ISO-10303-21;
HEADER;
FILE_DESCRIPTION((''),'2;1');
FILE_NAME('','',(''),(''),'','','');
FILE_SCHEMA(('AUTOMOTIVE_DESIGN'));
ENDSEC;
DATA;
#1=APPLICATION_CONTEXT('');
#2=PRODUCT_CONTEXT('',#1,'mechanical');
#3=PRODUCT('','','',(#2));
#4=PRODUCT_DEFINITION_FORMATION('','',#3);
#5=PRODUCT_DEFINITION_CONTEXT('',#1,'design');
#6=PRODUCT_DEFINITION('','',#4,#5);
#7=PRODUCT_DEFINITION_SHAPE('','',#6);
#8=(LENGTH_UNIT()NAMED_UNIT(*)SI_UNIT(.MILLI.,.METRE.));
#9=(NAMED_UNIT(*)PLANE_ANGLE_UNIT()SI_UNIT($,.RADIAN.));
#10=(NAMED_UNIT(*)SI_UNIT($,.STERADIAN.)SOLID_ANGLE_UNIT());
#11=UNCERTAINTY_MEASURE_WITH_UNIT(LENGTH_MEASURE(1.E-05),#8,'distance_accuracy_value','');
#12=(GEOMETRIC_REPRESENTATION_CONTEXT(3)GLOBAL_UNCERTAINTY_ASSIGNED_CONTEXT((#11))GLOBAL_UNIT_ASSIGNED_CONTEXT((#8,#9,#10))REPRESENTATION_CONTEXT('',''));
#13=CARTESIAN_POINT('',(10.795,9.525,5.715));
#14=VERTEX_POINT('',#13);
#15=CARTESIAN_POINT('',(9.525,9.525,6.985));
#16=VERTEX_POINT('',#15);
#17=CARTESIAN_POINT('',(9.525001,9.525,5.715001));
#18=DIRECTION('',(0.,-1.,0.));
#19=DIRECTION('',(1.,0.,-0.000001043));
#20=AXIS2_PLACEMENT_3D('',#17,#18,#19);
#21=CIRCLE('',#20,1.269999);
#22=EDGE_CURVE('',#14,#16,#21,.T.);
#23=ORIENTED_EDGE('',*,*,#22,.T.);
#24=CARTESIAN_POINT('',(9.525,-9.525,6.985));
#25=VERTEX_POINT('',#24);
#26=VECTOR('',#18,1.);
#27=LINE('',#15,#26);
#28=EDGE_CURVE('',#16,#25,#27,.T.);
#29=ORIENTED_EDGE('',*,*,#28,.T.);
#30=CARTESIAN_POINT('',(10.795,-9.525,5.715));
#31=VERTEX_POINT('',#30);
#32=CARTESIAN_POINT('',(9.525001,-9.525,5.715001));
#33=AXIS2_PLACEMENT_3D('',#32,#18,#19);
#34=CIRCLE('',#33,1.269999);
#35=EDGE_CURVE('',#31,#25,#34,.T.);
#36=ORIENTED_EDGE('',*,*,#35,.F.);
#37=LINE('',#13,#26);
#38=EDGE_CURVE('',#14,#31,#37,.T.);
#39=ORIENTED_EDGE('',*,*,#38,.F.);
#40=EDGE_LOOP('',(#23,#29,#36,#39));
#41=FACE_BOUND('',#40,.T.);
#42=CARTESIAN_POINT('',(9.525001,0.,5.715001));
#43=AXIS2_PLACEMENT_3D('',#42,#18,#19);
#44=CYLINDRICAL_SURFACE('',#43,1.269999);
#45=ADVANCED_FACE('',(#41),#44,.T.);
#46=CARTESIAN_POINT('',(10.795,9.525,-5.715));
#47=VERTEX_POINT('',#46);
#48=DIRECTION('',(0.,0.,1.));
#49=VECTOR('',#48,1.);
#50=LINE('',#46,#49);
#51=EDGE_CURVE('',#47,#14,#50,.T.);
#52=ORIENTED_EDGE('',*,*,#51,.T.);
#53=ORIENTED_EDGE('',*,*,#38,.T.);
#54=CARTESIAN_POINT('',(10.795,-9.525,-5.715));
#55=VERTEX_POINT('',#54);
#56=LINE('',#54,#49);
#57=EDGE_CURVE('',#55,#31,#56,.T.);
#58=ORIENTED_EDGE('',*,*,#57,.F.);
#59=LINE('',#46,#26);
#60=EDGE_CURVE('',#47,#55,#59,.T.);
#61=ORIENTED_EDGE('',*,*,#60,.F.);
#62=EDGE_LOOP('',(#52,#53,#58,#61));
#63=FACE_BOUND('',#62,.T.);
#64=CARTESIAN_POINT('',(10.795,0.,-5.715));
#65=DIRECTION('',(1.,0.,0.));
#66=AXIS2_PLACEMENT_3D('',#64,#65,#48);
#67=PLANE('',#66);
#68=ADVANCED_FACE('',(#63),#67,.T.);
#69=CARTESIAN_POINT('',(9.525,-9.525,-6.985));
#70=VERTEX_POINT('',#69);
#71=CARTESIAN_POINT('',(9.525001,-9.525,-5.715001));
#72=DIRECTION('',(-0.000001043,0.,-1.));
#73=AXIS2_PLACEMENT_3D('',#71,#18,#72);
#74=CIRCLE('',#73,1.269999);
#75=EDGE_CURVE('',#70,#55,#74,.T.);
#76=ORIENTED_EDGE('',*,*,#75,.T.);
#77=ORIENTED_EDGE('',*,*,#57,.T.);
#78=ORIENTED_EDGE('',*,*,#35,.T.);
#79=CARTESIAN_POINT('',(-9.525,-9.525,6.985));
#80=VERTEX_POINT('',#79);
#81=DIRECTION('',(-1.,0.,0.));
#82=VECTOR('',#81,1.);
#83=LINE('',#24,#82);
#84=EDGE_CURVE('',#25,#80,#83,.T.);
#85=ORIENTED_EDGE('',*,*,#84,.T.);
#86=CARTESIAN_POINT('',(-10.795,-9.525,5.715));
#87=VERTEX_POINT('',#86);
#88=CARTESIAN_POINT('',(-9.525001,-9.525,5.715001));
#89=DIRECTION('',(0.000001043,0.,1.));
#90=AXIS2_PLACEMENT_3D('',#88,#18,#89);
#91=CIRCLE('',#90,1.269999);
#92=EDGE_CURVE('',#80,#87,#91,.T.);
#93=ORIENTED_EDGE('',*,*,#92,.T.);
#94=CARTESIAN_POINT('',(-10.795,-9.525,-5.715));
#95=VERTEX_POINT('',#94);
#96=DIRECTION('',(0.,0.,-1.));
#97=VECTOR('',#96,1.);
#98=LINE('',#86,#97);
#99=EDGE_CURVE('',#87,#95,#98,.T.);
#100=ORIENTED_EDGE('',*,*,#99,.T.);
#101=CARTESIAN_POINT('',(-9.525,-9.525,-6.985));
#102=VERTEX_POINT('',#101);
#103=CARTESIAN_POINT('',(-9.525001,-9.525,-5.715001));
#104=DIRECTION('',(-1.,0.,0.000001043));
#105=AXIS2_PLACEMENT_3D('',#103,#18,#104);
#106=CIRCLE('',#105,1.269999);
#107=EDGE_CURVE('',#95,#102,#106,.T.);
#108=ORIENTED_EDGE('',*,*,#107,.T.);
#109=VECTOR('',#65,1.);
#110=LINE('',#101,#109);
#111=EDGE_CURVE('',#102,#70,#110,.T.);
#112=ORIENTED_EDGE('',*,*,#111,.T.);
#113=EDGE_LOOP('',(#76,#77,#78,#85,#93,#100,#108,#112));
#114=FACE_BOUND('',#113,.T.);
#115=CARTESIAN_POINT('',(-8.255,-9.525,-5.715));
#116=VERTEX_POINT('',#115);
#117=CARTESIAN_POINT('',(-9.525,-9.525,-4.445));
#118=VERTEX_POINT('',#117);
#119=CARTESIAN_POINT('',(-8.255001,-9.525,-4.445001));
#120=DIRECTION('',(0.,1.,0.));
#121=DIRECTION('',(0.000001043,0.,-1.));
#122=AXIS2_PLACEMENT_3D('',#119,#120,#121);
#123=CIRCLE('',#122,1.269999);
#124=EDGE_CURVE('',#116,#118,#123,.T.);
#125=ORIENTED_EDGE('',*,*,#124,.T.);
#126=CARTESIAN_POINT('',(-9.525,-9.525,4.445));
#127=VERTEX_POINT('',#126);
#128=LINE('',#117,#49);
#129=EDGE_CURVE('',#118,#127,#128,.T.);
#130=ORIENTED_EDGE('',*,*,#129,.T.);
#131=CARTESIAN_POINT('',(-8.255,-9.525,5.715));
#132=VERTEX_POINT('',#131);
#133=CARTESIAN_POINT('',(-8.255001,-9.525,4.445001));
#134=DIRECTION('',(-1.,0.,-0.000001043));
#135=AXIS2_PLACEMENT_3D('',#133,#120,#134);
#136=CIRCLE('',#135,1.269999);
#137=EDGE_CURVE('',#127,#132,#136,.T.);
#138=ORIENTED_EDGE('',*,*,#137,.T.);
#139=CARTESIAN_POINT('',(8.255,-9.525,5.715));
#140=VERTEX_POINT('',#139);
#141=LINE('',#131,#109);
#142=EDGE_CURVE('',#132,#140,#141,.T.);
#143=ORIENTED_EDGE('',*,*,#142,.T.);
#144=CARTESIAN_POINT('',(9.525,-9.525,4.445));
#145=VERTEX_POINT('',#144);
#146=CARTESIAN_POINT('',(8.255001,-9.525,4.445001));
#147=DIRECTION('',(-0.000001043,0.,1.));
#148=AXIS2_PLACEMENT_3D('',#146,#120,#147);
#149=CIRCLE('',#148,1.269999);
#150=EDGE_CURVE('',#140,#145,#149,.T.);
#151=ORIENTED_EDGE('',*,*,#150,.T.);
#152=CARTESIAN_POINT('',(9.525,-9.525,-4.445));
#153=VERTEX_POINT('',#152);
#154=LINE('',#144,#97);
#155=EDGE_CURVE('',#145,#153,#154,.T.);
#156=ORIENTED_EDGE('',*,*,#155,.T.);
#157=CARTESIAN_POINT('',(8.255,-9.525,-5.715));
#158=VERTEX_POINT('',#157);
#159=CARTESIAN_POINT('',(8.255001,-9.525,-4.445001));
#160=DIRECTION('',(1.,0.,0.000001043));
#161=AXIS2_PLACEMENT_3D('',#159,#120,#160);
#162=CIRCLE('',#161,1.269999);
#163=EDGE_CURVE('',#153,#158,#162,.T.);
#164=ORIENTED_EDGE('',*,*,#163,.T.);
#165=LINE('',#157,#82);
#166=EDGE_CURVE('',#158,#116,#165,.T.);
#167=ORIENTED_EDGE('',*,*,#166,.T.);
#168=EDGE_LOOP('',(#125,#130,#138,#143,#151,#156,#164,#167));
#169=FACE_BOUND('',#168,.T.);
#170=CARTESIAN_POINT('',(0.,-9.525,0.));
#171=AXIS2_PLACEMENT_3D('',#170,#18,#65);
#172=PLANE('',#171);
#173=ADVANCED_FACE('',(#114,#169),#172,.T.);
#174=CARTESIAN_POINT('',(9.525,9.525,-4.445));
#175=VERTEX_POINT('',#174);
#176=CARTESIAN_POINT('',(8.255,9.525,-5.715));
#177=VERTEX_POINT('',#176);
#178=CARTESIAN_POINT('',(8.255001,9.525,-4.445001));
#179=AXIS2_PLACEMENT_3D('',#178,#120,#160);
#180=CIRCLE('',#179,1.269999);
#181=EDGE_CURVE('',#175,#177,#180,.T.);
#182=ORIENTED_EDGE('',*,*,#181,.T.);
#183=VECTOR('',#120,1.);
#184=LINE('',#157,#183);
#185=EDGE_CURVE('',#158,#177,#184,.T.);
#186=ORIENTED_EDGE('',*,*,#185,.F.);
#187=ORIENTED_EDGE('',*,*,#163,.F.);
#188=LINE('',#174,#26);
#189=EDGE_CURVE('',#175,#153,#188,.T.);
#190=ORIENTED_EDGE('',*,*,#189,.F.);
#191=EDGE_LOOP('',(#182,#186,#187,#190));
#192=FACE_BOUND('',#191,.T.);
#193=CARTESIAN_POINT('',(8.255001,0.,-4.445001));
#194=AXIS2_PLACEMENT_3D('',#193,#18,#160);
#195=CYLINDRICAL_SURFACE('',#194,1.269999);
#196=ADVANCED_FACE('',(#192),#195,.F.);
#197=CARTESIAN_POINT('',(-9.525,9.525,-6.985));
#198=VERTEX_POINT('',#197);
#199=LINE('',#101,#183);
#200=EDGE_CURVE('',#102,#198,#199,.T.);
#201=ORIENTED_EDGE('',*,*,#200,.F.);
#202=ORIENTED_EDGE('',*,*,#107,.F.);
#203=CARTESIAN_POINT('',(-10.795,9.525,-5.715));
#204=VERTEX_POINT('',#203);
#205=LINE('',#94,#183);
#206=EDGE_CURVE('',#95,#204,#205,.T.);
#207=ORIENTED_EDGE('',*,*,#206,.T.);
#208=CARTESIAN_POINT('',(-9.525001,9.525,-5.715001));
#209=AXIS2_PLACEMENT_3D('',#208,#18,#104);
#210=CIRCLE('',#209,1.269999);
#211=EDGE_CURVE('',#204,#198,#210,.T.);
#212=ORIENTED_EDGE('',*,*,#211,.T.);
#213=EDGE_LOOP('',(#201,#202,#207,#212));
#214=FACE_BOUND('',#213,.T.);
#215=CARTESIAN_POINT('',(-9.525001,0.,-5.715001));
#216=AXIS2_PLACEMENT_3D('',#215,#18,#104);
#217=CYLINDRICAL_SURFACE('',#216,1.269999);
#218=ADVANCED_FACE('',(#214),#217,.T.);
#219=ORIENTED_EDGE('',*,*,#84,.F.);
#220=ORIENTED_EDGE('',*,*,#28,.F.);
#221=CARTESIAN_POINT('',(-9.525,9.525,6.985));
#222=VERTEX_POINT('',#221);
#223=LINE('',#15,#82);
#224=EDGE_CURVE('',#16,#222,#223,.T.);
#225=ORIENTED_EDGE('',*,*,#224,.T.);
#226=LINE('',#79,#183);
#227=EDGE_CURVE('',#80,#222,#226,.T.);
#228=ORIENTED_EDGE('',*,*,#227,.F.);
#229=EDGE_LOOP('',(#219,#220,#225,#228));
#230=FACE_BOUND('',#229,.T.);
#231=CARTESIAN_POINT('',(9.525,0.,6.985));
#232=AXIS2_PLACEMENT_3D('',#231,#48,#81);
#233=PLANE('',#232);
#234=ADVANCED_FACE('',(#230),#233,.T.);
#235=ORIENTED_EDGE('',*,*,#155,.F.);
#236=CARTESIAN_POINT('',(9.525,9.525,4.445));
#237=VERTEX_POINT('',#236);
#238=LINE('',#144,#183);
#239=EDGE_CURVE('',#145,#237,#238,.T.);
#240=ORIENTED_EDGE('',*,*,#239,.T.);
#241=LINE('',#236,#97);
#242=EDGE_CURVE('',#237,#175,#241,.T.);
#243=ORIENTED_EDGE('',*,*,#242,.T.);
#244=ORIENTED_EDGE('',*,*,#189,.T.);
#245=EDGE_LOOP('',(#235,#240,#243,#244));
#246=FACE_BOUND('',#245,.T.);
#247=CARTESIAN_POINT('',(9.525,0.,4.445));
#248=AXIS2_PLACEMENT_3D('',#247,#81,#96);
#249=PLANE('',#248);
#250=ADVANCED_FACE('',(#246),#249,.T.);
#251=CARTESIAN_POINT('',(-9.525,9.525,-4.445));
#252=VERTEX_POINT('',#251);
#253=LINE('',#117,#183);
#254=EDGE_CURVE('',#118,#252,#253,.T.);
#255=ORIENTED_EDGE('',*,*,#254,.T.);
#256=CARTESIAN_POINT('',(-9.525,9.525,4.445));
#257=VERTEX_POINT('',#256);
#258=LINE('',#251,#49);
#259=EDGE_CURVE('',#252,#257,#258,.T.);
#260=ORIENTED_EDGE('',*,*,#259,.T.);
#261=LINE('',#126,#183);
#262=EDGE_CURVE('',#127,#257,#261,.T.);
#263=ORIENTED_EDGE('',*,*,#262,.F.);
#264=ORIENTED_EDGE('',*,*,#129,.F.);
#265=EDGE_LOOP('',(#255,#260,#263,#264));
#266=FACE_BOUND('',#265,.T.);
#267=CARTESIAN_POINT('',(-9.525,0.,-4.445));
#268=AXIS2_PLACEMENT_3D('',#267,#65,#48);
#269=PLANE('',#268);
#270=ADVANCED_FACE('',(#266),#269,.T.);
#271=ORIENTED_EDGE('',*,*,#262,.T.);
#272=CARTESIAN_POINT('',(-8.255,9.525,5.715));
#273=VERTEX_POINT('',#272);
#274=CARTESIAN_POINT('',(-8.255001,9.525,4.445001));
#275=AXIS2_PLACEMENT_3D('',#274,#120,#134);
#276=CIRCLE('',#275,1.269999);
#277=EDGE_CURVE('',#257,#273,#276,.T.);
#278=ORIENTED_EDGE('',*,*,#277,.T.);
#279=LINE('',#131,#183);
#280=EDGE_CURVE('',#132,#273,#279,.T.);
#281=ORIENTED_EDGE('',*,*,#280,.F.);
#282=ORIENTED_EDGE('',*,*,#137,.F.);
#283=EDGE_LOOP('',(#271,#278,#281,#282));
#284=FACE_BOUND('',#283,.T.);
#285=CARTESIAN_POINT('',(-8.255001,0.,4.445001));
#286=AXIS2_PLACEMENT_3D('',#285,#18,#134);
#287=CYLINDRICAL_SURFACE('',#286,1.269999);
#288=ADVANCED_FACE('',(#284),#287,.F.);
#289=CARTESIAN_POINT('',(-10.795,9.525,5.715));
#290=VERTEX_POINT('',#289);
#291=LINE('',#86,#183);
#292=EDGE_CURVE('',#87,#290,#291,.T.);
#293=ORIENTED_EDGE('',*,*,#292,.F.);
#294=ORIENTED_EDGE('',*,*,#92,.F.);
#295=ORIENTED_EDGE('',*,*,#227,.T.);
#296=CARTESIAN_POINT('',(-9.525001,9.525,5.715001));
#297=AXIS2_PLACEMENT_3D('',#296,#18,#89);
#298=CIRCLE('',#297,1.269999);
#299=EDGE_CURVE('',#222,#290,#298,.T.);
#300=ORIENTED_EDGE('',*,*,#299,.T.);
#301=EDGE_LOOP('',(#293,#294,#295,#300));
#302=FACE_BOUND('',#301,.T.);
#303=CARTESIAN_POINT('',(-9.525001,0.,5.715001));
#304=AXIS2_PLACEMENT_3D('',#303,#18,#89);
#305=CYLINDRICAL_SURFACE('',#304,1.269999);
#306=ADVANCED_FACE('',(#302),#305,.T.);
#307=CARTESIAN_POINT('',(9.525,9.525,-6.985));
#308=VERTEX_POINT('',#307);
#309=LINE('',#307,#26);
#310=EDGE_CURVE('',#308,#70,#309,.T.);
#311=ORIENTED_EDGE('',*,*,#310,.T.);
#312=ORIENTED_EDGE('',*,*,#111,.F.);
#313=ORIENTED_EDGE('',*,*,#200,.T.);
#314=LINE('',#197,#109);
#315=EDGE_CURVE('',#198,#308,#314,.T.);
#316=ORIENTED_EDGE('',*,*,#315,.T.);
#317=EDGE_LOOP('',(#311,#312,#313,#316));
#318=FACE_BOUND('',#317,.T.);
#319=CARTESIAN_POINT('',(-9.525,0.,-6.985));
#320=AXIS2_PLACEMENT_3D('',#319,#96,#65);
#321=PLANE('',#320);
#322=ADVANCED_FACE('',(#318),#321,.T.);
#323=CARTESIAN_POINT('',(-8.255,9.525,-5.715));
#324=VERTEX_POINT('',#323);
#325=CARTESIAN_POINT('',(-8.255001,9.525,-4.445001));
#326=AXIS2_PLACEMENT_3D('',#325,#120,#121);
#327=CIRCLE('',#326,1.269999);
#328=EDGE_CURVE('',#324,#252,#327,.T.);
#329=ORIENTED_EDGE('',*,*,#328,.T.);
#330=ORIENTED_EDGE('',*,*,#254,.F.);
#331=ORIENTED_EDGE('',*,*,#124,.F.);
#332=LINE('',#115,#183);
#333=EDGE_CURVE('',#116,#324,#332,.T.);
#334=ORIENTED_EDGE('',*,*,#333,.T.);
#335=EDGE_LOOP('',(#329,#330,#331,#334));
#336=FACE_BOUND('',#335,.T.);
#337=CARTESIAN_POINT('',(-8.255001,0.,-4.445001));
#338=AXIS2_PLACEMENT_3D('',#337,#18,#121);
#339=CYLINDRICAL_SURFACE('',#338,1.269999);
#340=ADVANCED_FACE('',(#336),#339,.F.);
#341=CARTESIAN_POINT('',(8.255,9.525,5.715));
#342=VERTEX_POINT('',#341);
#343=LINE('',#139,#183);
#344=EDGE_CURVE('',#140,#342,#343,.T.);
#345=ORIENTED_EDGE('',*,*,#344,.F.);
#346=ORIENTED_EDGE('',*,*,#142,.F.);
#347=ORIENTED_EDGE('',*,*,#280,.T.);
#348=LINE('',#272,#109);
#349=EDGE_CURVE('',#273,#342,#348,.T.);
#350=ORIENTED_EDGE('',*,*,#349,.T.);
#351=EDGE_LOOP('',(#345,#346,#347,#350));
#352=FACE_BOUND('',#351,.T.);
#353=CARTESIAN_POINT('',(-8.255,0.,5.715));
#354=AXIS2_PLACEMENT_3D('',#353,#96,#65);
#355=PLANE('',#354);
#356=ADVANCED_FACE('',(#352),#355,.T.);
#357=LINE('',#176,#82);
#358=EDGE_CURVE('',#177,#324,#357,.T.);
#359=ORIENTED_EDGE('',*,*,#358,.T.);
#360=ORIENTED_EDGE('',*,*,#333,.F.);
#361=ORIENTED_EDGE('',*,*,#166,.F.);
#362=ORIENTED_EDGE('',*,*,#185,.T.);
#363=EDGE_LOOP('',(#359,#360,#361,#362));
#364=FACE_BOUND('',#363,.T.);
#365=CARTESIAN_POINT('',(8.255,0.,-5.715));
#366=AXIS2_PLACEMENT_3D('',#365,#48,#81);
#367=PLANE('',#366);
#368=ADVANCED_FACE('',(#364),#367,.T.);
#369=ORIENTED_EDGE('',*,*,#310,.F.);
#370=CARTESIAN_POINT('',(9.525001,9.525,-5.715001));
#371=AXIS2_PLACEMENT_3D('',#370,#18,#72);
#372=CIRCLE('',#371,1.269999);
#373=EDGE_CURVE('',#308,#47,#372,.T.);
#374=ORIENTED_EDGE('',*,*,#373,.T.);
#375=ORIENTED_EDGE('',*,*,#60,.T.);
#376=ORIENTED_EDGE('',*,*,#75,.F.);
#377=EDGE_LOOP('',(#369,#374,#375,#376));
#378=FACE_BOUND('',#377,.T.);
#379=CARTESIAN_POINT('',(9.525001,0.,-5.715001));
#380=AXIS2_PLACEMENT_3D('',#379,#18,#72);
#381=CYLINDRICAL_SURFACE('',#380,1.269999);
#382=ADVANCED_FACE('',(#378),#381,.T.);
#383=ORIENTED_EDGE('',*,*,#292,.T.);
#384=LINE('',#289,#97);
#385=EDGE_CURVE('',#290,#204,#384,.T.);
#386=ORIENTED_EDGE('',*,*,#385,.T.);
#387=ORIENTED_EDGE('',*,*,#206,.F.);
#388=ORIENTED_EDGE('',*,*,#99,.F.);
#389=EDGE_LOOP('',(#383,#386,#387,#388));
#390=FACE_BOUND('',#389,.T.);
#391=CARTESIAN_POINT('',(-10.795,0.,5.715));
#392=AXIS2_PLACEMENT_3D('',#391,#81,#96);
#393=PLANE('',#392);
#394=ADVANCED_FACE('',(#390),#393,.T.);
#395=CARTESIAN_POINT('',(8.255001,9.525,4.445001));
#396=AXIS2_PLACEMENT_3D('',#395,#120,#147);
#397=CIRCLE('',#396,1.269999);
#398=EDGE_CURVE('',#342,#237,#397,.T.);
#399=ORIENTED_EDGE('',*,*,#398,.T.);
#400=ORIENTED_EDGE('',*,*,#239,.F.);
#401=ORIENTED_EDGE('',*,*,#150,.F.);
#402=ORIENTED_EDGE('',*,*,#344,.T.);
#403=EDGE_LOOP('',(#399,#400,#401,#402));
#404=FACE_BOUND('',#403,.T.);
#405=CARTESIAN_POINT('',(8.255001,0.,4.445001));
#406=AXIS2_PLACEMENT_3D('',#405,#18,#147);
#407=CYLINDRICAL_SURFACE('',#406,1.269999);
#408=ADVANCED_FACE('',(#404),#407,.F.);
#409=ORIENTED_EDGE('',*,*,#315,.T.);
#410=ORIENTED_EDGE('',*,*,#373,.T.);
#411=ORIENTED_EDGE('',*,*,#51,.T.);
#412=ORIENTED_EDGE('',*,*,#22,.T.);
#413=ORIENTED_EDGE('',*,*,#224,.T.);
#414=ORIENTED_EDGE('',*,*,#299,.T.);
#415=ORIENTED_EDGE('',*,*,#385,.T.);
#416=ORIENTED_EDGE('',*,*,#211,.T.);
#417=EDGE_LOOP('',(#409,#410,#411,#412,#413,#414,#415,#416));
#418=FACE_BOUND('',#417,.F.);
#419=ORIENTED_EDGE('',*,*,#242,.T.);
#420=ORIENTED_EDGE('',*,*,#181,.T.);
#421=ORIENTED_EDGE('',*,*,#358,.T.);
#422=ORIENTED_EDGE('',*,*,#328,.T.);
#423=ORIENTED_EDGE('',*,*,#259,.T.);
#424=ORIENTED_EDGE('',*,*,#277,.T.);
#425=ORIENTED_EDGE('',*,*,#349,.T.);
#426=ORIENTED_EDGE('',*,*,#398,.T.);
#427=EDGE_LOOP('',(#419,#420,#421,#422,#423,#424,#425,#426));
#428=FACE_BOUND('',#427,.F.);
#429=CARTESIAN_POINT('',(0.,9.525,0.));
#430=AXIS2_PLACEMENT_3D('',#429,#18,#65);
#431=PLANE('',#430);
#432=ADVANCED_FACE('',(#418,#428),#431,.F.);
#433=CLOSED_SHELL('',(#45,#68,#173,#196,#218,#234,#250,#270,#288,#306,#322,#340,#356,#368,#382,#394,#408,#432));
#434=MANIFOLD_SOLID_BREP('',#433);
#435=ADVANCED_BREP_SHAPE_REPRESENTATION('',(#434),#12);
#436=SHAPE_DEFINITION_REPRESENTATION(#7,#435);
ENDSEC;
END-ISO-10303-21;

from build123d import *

# Parameters (mm, degrees)
F1_DEPTH      = 9.525
F1_DEPTH_BACK = 9.525


with BuildPart() as f1:
    # F0 (on Front) → F1 (new body, two sides)
    with BuildSketch(Plane.XZ) as f1_sk:
        with BuildLine():
            Line((-9.525, -6.985), (9.525, -6.985))
            ThreePointArc((9.525, -6.985), (10.423026, -6.613026), (10.795, -5.715))
            Line((10.795, -5.715), (10.795, 5.715))
            ThreePointArc((10.795, 5.715), (10.423026, 6.613026), (9.525, 6.985))
            Line((9.525, 6.985), (-9.525, 6.985))
            ThreePointArc((-9.525, 6.985), (-10.423026, 6.613026), (-10.795, 5.715))
            Line((-10.795, 5.715), (-10.795, -5.715))
            ThreePointArc((-10.795, -5.715), (-10.423026, -6.613026), (-9.525, -6.985))
        make_face()
        with BuildLine():
            ThreePointArc((9.525, -4.445), (9.153026, -5.343026), (8.255, -5.715))
            Line((8.255, -5.715), (-8.255, -5.715))
            ThreePointArc((-8.255, -5.715), (-9.153026, -5.343026), (-9.525, -4.445))
            Line((-9.525, -4.445), (-9.525, 4.445))
            ThreePointArc((-9.525, 4.445), (-9.153026, 5.343026), (-8.255, 5.715))
            Line((-8.255, 5.715), (8.255, 5.715))
            ThreePointArc((8.255, 5.715), (9.153026, 5.343026), (9.525, 4.445))
            Line((9.525, 4.445), (9.525, -4.445))
        make_face(mode=Mode.SUBTRACT)
    extrude(amount=F1_DEPTH)
    extrude(f1_sk.sketch, amount=-F1_DEPTH_BACK)


solid = f1.part
